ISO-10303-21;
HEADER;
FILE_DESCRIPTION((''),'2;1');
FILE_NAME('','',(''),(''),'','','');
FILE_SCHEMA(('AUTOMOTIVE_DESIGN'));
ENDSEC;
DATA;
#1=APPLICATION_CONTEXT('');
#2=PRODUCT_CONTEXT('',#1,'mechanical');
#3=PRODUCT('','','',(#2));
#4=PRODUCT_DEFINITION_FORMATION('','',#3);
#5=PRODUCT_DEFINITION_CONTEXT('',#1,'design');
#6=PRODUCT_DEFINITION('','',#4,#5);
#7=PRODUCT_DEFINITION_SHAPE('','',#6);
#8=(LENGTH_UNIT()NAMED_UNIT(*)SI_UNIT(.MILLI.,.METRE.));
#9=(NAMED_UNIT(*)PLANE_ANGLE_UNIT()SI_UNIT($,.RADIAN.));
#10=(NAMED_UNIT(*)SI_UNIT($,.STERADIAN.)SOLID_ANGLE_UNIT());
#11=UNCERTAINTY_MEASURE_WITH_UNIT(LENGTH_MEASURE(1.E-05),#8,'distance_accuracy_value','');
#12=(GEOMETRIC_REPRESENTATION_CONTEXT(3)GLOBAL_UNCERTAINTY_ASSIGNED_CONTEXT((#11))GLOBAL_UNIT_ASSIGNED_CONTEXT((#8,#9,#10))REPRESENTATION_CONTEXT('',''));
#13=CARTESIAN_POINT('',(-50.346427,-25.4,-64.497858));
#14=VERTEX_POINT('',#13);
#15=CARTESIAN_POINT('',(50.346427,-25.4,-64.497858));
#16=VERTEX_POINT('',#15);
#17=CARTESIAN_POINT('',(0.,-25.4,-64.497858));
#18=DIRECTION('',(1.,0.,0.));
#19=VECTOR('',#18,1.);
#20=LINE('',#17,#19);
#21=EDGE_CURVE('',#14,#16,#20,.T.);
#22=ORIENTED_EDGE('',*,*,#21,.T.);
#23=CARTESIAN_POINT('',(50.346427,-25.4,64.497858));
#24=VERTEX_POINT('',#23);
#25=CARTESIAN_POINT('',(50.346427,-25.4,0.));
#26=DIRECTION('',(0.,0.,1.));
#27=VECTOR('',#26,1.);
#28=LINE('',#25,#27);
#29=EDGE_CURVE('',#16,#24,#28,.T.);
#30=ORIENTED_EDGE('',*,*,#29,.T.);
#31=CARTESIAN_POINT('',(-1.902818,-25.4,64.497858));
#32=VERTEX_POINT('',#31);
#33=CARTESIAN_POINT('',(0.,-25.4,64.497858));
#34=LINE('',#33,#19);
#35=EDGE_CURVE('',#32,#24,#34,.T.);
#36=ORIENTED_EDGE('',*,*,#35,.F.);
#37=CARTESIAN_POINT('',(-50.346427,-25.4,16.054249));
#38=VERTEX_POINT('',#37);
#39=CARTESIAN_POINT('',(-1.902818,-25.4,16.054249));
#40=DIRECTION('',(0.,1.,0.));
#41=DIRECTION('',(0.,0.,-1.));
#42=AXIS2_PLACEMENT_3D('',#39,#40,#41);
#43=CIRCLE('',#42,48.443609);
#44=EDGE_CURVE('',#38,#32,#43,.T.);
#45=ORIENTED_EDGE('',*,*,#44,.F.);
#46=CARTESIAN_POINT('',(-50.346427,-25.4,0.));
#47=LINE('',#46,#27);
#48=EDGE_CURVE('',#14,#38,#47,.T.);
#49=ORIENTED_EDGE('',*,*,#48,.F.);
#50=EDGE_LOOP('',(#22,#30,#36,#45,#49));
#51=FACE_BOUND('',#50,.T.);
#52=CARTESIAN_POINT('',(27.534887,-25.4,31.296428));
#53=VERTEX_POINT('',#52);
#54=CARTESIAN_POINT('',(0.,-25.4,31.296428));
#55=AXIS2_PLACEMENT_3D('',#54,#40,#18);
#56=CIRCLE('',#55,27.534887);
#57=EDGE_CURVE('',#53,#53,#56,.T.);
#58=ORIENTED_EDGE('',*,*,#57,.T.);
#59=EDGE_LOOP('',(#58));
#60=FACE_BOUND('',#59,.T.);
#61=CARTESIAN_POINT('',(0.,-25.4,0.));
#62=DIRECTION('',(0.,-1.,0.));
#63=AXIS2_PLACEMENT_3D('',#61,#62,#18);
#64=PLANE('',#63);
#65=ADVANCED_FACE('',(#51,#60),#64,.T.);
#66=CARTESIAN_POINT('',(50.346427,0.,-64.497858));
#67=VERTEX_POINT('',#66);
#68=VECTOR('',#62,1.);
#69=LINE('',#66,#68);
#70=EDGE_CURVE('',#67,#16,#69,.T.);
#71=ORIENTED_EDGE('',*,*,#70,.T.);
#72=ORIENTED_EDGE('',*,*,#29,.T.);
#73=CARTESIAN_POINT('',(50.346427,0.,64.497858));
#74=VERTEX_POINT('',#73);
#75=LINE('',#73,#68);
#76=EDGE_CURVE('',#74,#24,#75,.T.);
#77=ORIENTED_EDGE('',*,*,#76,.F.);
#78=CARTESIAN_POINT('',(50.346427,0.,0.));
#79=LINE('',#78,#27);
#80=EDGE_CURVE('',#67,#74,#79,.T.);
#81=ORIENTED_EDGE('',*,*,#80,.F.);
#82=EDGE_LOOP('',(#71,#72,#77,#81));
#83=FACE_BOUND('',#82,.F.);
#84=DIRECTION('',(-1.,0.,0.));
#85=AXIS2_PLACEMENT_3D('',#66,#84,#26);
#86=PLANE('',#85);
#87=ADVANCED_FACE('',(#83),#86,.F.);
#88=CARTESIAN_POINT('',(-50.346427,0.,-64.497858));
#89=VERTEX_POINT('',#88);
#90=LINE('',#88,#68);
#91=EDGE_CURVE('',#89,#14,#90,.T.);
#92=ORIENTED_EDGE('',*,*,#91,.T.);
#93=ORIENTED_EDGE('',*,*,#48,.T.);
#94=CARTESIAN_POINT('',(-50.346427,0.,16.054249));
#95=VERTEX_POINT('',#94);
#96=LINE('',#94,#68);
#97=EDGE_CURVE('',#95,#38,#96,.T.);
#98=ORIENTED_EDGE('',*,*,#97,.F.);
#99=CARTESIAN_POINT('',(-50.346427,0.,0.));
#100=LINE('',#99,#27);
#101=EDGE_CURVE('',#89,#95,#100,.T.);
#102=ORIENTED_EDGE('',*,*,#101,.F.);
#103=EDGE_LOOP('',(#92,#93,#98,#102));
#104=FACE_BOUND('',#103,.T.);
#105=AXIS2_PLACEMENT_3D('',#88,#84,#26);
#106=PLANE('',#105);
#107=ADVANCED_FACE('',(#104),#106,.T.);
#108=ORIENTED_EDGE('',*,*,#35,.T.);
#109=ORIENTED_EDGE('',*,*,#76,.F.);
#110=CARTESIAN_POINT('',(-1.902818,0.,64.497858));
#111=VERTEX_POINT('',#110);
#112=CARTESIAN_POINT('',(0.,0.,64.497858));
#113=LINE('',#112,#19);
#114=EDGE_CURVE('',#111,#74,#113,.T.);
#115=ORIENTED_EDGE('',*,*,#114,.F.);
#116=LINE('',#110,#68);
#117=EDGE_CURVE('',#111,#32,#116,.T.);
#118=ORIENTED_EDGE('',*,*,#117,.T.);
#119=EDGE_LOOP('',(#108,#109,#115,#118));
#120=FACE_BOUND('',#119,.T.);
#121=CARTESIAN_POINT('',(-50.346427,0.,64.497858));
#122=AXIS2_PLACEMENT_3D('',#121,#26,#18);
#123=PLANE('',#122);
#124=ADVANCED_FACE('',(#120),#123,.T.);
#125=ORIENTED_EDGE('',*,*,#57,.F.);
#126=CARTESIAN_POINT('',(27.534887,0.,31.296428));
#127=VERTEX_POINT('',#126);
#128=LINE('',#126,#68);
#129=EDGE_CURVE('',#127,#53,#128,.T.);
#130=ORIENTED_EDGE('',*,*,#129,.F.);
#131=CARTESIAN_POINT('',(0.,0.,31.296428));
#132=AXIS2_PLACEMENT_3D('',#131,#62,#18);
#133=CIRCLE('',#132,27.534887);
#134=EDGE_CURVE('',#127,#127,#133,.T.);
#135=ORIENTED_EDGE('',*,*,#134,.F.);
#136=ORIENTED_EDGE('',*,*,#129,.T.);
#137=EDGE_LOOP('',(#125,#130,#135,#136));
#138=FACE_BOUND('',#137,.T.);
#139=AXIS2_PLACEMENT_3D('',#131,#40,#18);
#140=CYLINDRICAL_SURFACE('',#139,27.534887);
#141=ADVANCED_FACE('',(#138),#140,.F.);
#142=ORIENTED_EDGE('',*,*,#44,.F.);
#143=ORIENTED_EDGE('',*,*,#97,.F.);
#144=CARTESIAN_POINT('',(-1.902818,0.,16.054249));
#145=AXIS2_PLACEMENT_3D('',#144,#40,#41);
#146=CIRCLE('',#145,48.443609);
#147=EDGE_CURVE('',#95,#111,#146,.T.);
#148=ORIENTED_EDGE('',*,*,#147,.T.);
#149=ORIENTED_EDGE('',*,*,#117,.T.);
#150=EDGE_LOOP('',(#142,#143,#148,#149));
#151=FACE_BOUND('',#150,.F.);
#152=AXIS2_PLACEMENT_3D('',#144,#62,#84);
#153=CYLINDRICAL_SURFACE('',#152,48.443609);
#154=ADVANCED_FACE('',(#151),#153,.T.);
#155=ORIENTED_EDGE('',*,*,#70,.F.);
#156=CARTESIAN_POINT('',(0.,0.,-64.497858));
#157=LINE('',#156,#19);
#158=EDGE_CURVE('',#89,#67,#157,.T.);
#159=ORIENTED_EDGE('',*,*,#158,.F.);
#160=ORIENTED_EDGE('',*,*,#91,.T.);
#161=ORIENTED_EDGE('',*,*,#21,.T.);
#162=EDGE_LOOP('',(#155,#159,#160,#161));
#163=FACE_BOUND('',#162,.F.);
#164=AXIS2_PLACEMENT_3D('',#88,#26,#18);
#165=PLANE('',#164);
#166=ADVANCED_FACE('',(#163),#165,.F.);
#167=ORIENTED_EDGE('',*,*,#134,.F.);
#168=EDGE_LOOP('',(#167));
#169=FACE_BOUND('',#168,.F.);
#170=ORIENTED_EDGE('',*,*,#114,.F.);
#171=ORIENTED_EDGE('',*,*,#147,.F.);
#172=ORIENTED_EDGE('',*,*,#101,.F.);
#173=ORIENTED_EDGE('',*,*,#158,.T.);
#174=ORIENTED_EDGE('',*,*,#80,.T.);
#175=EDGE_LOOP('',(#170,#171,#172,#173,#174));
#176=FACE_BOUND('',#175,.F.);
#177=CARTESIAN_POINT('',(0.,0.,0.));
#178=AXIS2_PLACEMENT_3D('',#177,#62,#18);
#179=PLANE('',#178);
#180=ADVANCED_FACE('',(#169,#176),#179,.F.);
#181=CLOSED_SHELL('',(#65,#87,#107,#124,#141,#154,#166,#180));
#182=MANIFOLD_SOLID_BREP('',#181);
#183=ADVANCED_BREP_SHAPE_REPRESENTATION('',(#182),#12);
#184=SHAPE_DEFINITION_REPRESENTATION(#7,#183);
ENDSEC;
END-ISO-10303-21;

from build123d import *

# Parameters (mm, degrees)
F0_W     = 100.692854
F0_H     = 128.995716
F1_DEPTH = 25.4
F2_R     = 27.534887
F3_DEPTH = 170.942
F4_R     = 48.443609


with BuildPart() as f1:
    # F0 (on Front) → F1 (new body)
    with BuildSketch(Plane.XZ):
        Rectangle(F0_W, F0_H)
    extrude(amount=F1_DEPTH)

    # F2 (on Front) → F3 (cut)
    with BuildSketch(Plane.XZ):
        with Locations((0, 31.296428)):
            Circle(F2_R)
    extrude(amount=F3_DEPTH, mode=Mode.SUBTRACT)

    # F4
    f4_edges = [f1.edges().sort_by_distance(p)[0] for p in [
        (-50.346427, -12.7, 64.497858),
    ]]
    fillet(f4_edges, radius=F4_R)


solid = f1.part
